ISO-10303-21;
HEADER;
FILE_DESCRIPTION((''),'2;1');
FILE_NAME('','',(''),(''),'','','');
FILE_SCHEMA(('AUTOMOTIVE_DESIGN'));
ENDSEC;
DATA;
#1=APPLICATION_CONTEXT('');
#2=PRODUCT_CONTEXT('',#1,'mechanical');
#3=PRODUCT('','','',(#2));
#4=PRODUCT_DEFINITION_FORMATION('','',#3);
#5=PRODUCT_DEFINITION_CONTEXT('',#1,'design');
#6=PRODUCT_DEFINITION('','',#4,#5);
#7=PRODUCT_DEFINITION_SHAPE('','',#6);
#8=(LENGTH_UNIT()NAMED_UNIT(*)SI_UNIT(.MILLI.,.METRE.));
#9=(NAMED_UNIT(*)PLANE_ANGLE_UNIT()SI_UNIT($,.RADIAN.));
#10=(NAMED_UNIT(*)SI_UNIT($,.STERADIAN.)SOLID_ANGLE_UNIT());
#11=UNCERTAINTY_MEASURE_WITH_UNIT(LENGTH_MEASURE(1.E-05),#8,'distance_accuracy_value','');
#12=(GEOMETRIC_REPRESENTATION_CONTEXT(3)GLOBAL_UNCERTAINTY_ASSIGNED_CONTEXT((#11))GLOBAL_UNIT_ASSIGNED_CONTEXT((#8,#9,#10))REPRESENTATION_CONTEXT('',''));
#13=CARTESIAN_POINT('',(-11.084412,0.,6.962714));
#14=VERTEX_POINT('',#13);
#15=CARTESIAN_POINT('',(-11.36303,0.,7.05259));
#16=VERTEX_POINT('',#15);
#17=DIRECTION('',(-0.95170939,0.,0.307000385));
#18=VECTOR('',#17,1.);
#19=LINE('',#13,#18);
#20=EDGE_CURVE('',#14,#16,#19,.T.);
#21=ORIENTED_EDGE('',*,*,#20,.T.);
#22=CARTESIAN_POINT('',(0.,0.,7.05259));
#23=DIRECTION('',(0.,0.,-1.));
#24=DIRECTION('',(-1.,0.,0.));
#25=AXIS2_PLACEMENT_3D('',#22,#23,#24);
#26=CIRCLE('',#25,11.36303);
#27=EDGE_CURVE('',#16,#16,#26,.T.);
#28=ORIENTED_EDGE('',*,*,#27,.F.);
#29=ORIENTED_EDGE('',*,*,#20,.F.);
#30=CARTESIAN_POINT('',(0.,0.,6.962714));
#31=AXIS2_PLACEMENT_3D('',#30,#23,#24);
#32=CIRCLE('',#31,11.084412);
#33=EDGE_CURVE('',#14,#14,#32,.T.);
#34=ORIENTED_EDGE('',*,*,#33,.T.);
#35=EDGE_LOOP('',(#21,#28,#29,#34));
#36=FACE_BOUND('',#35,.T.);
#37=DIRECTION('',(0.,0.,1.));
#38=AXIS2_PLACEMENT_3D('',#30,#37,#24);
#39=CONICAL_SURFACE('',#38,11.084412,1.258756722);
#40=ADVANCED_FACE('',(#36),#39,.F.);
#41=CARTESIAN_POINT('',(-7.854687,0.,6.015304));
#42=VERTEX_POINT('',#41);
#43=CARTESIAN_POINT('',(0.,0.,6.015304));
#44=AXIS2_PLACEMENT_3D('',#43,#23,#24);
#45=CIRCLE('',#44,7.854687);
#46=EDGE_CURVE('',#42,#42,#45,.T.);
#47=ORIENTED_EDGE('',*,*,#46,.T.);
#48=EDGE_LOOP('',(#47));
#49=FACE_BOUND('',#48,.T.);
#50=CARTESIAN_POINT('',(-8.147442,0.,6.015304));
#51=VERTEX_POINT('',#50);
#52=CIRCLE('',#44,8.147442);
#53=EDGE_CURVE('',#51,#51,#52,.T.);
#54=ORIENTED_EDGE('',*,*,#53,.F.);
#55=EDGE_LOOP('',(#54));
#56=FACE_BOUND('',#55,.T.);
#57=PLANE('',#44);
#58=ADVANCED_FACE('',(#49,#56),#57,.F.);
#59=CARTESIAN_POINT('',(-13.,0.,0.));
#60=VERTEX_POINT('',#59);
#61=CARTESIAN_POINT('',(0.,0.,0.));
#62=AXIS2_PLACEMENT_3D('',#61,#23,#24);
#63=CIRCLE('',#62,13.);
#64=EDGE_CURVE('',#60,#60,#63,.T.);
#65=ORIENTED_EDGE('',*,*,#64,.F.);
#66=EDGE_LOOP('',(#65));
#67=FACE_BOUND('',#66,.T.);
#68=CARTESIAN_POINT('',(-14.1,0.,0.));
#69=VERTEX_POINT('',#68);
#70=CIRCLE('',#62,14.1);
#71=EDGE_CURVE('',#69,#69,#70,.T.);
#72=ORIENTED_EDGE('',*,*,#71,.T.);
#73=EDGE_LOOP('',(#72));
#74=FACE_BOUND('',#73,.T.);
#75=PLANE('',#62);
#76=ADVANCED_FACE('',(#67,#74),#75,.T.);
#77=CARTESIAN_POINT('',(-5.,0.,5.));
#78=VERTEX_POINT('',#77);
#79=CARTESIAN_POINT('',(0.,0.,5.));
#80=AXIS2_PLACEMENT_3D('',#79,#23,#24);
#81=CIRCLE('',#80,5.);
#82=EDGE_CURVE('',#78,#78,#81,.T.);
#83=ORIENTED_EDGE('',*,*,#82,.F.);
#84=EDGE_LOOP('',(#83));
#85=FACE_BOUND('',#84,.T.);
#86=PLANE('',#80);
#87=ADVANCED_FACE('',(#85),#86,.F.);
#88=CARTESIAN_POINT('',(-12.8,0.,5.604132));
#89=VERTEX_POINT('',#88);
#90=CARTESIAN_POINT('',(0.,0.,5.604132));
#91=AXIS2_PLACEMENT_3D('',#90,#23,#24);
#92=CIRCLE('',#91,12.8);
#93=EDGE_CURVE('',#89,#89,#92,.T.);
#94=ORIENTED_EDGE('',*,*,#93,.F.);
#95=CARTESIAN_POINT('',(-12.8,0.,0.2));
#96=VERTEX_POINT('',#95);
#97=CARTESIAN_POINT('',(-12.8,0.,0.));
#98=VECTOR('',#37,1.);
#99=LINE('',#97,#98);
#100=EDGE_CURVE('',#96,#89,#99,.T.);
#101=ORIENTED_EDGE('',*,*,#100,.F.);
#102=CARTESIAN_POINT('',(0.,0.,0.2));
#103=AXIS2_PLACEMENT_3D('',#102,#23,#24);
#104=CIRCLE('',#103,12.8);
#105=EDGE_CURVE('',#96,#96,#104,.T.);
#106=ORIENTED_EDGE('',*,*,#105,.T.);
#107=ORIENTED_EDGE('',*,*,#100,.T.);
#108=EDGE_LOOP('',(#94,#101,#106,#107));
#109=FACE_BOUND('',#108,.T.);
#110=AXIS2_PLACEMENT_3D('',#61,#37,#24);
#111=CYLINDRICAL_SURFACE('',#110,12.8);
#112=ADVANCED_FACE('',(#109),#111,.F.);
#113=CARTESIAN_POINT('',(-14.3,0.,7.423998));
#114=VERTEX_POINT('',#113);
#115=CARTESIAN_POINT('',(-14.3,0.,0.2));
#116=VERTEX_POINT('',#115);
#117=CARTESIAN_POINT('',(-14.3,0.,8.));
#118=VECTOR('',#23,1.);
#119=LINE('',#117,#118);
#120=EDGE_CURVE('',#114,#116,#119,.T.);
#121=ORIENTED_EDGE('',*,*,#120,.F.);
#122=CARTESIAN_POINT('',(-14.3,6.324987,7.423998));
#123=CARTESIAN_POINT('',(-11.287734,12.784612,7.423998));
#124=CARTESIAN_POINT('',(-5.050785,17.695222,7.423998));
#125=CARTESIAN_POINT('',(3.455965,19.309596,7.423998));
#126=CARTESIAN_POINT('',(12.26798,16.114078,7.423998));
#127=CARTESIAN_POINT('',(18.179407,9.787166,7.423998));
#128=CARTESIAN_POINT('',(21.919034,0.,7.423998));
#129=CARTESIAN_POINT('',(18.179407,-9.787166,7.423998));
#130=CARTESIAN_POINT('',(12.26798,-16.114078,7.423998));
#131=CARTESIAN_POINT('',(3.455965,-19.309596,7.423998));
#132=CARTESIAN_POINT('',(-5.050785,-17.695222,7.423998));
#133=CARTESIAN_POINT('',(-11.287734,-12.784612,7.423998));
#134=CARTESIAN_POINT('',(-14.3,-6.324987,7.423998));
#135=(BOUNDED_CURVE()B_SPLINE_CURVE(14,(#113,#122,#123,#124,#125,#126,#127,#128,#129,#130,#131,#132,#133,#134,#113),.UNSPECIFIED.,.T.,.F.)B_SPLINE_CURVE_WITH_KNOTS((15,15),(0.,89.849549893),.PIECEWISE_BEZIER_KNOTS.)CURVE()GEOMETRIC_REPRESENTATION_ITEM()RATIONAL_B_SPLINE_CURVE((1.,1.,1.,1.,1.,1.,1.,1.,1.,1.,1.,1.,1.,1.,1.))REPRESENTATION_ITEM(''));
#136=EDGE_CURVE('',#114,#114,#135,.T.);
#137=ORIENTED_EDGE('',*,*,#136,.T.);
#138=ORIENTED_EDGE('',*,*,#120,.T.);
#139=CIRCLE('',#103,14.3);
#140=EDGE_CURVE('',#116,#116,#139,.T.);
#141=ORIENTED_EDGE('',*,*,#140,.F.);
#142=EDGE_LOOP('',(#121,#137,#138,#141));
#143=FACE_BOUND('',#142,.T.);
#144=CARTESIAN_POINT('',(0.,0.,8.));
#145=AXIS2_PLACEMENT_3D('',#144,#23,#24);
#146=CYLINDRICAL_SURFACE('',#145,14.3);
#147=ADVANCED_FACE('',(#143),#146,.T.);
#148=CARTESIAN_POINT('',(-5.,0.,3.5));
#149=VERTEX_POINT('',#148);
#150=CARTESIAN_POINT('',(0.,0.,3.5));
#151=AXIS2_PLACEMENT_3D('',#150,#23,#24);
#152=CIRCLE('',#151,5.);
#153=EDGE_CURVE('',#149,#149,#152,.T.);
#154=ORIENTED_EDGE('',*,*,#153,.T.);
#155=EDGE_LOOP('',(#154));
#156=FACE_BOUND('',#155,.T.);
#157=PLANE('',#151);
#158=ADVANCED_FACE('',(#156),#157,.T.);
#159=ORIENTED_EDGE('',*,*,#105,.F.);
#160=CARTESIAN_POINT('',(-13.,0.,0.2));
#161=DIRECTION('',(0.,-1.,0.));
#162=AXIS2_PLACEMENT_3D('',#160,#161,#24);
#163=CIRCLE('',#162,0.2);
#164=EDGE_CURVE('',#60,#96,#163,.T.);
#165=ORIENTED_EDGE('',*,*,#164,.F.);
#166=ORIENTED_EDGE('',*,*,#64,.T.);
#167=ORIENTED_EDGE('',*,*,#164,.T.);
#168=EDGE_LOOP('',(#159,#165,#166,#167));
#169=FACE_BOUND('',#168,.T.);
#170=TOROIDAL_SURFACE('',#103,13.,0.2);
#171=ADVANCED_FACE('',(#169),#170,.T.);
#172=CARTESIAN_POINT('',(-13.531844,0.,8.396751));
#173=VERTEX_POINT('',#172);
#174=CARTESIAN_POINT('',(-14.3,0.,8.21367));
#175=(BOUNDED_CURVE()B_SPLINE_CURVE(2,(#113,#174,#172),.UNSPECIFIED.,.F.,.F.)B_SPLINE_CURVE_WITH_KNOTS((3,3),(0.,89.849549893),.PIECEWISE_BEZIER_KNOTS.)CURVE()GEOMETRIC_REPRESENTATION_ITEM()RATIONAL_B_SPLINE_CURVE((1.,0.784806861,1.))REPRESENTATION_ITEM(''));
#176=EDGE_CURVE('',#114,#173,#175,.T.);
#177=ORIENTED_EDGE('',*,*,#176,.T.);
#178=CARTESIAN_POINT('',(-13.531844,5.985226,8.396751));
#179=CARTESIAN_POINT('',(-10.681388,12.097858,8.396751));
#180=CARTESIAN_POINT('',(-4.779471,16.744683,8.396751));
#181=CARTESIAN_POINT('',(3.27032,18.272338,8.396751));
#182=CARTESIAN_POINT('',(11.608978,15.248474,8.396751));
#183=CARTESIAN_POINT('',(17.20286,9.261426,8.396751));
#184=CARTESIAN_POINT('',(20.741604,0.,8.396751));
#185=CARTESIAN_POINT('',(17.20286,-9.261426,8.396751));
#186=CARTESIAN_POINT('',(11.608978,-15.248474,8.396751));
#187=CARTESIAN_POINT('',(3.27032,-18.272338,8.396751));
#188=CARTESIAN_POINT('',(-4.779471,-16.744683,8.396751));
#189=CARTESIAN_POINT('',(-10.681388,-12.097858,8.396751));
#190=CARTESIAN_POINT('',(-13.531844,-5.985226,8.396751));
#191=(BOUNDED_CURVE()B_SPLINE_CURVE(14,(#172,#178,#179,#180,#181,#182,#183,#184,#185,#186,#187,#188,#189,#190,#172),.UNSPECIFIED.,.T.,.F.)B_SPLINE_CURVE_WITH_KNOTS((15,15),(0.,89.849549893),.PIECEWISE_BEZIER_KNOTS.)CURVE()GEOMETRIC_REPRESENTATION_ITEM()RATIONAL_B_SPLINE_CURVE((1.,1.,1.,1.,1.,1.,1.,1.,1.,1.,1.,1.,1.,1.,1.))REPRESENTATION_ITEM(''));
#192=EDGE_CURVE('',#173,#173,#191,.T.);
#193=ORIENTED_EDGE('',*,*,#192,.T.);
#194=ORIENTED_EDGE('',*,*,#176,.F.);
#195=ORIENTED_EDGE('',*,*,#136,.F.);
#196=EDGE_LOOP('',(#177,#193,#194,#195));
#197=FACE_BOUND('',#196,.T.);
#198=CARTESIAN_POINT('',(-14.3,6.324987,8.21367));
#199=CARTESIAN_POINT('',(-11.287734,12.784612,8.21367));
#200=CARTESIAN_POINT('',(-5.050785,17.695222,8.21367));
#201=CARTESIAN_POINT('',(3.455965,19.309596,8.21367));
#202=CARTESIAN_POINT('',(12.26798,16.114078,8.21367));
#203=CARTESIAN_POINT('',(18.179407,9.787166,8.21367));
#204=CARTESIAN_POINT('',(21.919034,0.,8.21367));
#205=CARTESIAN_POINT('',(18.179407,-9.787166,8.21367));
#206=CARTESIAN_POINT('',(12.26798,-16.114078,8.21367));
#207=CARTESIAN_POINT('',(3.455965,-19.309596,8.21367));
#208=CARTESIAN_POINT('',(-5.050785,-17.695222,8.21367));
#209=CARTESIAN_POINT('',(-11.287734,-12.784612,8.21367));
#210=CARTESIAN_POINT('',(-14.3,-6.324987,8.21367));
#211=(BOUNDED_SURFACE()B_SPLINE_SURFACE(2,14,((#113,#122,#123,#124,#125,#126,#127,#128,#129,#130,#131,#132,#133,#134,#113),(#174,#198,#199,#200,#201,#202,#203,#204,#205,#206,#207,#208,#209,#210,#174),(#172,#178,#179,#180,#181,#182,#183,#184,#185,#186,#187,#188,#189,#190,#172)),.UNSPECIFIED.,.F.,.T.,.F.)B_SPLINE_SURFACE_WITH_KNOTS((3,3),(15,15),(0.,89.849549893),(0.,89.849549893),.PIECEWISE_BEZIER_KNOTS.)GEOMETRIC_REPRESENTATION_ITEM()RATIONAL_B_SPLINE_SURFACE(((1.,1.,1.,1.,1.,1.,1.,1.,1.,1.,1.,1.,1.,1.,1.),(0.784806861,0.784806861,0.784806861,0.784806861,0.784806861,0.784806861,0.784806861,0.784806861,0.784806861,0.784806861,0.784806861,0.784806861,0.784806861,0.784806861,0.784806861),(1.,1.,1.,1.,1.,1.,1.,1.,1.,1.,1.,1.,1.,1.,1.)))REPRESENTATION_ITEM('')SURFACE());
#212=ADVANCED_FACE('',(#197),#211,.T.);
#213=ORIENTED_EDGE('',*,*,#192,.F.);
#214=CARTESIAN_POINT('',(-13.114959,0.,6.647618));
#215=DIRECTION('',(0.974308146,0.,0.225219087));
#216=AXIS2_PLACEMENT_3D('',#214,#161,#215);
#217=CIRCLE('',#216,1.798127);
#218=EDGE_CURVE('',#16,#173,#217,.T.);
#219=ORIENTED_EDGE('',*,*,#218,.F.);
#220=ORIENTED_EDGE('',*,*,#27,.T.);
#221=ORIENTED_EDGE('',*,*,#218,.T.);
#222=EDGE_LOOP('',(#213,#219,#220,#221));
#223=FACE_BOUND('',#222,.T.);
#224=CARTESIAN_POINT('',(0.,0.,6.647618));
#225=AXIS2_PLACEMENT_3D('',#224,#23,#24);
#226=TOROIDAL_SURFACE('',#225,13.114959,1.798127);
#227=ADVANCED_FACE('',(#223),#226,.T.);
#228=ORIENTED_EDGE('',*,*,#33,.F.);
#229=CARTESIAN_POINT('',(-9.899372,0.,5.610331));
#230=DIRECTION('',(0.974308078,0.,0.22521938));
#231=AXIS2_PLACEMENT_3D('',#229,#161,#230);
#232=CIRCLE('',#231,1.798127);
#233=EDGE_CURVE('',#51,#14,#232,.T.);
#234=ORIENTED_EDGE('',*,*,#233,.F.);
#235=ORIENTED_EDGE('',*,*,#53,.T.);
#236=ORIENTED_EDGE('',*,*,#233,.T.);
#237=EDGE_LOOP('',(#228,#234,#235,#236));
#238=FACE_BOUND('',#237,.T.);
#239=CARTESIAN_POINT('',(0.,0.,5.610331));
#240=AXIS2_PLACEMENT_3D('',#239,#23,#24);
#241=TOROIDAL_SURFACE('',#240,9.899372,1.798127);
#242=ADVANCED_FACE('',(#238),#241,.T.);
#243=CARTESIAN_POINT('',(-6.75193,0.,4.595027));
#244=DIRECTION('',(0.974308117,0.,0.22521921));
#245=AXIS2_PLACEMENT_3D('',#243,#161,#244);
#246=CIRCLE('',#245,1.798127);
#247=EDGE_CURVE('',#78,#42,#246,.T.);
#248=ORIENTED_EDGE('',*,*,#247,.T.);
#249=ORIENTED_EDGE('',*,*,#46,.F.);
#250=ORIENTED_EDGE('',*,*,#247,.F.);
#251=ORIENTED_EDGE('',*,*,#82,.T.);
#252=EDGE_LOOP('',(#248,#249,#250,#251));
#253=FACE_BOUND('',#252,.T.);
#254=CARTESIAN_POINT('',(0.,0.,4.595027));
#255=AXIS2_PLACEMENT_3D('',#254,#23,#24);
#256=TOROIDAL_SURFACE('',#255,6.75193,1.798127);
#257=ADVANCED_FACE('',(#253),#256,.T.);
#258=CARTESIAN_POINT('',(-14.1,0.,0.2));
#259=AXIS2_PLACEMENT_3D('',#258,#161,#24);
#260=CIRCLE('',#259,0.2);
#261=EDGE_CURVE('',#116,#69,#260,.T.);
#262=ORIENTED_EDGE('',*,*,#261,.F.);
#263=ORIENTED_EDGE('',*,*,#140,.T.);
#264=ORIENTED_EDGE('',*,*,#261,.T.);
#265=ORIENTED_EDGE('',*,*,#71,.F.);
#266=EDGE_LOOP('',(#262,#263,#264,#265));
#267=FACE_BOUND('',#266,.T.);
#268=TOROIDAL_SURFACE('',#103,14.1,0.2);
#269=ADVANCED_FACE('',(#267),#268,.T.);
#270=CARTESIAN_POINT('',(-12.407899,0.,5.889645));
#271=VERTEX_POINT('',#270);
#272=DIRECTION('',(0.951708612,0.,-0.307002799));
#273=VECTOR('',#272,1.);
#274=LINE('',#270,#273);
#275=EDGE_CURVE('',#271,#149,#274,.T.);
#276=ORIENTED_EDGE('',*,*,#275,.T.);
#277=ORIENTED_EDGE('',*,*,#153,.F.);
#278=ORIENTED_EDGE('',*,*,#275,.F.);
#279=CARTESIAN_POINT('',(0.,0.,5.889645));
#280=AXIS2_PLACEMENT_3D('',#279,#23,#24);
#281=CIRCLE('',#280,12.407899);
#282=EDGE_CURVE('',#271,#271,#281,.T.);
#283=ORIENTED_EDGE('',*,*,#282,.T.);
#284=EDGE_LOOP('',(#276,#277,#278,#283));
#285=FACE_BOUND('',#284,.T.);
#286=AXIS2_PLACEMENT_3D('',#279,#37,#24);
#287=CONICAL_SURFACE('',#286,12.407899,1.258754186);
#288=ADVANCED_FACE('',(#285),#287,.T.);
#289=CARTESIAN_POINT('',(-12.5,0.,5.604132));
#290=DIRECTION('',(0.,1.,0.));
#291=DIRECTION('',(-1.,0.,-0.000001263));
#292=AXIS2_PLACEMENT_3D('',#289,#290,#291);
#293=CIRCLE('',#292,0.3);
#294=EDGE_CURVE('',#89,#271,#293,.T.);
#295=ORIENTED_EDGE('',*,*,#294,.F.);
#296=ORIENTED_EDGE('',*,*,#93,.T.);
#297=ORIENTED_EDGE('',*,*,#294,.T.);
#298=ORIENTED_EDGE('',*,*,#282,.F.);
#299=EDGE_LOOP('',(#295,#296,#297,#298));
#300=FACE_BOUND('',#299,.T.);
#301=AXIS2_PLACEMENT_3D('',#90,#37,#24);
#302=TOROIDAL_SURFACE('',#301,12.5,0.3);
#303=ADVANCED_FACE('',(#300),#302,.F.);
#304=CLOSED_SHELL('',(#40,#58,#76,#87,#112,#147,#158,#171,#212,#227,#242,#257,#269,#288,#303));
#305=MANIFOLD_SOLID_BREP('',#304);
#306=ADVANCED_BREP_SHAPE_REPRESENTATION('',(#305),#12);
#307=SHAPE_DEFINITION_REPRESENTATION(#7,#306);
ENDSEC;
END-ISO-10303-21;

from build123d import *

# Parameters (mm, degrees)
F2_R = 1
F3_R = 0.2
F4_R = 0.2


with BuildPart() as f1:
    # F0 (on Front) → F1 (revolve)
    with BuildSketch(Plane.XZ):
        with BuildLine():
            Line((-14.3, 8), (-14.3, 0))
            Line((-14.3, 0), (-12.8, 0))
            Line((-12.8, 0), (-12.8, 0.111164))
            Line((-12.8, 0.111164), (-12.8, 5.604132))
            ThreePointArc((-12.8, 5.604132), (-12.676592, 5.846651), (-12.407899, 5.889645))
            Line((-12.407899, 5.889645), (-5, 3.5))
            Line((-5, 3.5), (0, 3.5))
            Line((0, 3.5), (0, 5))
            Line((0, 5), (-5, 5))
            ThreePointArc((-5, 5), (-6.14938, 6.289192), (-7.854687, 6.015304))
            Line((-7.854687, 6.015304), (-8.147442, 6.015304))
            ThreePointArc((-8.147442, 6.015304), (-9.347342, 7.321624), (-11.084412, 6.962714))
            Line((-11.084412, 6.962714), (-11.36303, 7.05259))
            ThreePointArc((-11.36303, 7.05259), (-12.562929, 8.35891), (-14.3, 8))
        make_face()
    revolve(axis=Axis((0, 0, 4.25), (0, 0, -1)))

    # F2
    f2_edges = [f1.edges().sort_by_distance(p)[0] for p in [
        (14.3, 0, 8),
    ]]
    fillet(f2_edges, radius=F2_R)

    # F3
    f3_edges = [f1.edges().sort_by_distance(p)[0] for p in [
        (14.3, 0, 0),
    ]]
    fillet(f3_edges, radius=F3_R)

    # F4
    f4_edges = [f1.edges().sort_by_distance(p)[0] for p in [
        (12.8, 0, 0),
    ]]
    fillet(f4_edges, radius=F4_R)


solid = f1.part
